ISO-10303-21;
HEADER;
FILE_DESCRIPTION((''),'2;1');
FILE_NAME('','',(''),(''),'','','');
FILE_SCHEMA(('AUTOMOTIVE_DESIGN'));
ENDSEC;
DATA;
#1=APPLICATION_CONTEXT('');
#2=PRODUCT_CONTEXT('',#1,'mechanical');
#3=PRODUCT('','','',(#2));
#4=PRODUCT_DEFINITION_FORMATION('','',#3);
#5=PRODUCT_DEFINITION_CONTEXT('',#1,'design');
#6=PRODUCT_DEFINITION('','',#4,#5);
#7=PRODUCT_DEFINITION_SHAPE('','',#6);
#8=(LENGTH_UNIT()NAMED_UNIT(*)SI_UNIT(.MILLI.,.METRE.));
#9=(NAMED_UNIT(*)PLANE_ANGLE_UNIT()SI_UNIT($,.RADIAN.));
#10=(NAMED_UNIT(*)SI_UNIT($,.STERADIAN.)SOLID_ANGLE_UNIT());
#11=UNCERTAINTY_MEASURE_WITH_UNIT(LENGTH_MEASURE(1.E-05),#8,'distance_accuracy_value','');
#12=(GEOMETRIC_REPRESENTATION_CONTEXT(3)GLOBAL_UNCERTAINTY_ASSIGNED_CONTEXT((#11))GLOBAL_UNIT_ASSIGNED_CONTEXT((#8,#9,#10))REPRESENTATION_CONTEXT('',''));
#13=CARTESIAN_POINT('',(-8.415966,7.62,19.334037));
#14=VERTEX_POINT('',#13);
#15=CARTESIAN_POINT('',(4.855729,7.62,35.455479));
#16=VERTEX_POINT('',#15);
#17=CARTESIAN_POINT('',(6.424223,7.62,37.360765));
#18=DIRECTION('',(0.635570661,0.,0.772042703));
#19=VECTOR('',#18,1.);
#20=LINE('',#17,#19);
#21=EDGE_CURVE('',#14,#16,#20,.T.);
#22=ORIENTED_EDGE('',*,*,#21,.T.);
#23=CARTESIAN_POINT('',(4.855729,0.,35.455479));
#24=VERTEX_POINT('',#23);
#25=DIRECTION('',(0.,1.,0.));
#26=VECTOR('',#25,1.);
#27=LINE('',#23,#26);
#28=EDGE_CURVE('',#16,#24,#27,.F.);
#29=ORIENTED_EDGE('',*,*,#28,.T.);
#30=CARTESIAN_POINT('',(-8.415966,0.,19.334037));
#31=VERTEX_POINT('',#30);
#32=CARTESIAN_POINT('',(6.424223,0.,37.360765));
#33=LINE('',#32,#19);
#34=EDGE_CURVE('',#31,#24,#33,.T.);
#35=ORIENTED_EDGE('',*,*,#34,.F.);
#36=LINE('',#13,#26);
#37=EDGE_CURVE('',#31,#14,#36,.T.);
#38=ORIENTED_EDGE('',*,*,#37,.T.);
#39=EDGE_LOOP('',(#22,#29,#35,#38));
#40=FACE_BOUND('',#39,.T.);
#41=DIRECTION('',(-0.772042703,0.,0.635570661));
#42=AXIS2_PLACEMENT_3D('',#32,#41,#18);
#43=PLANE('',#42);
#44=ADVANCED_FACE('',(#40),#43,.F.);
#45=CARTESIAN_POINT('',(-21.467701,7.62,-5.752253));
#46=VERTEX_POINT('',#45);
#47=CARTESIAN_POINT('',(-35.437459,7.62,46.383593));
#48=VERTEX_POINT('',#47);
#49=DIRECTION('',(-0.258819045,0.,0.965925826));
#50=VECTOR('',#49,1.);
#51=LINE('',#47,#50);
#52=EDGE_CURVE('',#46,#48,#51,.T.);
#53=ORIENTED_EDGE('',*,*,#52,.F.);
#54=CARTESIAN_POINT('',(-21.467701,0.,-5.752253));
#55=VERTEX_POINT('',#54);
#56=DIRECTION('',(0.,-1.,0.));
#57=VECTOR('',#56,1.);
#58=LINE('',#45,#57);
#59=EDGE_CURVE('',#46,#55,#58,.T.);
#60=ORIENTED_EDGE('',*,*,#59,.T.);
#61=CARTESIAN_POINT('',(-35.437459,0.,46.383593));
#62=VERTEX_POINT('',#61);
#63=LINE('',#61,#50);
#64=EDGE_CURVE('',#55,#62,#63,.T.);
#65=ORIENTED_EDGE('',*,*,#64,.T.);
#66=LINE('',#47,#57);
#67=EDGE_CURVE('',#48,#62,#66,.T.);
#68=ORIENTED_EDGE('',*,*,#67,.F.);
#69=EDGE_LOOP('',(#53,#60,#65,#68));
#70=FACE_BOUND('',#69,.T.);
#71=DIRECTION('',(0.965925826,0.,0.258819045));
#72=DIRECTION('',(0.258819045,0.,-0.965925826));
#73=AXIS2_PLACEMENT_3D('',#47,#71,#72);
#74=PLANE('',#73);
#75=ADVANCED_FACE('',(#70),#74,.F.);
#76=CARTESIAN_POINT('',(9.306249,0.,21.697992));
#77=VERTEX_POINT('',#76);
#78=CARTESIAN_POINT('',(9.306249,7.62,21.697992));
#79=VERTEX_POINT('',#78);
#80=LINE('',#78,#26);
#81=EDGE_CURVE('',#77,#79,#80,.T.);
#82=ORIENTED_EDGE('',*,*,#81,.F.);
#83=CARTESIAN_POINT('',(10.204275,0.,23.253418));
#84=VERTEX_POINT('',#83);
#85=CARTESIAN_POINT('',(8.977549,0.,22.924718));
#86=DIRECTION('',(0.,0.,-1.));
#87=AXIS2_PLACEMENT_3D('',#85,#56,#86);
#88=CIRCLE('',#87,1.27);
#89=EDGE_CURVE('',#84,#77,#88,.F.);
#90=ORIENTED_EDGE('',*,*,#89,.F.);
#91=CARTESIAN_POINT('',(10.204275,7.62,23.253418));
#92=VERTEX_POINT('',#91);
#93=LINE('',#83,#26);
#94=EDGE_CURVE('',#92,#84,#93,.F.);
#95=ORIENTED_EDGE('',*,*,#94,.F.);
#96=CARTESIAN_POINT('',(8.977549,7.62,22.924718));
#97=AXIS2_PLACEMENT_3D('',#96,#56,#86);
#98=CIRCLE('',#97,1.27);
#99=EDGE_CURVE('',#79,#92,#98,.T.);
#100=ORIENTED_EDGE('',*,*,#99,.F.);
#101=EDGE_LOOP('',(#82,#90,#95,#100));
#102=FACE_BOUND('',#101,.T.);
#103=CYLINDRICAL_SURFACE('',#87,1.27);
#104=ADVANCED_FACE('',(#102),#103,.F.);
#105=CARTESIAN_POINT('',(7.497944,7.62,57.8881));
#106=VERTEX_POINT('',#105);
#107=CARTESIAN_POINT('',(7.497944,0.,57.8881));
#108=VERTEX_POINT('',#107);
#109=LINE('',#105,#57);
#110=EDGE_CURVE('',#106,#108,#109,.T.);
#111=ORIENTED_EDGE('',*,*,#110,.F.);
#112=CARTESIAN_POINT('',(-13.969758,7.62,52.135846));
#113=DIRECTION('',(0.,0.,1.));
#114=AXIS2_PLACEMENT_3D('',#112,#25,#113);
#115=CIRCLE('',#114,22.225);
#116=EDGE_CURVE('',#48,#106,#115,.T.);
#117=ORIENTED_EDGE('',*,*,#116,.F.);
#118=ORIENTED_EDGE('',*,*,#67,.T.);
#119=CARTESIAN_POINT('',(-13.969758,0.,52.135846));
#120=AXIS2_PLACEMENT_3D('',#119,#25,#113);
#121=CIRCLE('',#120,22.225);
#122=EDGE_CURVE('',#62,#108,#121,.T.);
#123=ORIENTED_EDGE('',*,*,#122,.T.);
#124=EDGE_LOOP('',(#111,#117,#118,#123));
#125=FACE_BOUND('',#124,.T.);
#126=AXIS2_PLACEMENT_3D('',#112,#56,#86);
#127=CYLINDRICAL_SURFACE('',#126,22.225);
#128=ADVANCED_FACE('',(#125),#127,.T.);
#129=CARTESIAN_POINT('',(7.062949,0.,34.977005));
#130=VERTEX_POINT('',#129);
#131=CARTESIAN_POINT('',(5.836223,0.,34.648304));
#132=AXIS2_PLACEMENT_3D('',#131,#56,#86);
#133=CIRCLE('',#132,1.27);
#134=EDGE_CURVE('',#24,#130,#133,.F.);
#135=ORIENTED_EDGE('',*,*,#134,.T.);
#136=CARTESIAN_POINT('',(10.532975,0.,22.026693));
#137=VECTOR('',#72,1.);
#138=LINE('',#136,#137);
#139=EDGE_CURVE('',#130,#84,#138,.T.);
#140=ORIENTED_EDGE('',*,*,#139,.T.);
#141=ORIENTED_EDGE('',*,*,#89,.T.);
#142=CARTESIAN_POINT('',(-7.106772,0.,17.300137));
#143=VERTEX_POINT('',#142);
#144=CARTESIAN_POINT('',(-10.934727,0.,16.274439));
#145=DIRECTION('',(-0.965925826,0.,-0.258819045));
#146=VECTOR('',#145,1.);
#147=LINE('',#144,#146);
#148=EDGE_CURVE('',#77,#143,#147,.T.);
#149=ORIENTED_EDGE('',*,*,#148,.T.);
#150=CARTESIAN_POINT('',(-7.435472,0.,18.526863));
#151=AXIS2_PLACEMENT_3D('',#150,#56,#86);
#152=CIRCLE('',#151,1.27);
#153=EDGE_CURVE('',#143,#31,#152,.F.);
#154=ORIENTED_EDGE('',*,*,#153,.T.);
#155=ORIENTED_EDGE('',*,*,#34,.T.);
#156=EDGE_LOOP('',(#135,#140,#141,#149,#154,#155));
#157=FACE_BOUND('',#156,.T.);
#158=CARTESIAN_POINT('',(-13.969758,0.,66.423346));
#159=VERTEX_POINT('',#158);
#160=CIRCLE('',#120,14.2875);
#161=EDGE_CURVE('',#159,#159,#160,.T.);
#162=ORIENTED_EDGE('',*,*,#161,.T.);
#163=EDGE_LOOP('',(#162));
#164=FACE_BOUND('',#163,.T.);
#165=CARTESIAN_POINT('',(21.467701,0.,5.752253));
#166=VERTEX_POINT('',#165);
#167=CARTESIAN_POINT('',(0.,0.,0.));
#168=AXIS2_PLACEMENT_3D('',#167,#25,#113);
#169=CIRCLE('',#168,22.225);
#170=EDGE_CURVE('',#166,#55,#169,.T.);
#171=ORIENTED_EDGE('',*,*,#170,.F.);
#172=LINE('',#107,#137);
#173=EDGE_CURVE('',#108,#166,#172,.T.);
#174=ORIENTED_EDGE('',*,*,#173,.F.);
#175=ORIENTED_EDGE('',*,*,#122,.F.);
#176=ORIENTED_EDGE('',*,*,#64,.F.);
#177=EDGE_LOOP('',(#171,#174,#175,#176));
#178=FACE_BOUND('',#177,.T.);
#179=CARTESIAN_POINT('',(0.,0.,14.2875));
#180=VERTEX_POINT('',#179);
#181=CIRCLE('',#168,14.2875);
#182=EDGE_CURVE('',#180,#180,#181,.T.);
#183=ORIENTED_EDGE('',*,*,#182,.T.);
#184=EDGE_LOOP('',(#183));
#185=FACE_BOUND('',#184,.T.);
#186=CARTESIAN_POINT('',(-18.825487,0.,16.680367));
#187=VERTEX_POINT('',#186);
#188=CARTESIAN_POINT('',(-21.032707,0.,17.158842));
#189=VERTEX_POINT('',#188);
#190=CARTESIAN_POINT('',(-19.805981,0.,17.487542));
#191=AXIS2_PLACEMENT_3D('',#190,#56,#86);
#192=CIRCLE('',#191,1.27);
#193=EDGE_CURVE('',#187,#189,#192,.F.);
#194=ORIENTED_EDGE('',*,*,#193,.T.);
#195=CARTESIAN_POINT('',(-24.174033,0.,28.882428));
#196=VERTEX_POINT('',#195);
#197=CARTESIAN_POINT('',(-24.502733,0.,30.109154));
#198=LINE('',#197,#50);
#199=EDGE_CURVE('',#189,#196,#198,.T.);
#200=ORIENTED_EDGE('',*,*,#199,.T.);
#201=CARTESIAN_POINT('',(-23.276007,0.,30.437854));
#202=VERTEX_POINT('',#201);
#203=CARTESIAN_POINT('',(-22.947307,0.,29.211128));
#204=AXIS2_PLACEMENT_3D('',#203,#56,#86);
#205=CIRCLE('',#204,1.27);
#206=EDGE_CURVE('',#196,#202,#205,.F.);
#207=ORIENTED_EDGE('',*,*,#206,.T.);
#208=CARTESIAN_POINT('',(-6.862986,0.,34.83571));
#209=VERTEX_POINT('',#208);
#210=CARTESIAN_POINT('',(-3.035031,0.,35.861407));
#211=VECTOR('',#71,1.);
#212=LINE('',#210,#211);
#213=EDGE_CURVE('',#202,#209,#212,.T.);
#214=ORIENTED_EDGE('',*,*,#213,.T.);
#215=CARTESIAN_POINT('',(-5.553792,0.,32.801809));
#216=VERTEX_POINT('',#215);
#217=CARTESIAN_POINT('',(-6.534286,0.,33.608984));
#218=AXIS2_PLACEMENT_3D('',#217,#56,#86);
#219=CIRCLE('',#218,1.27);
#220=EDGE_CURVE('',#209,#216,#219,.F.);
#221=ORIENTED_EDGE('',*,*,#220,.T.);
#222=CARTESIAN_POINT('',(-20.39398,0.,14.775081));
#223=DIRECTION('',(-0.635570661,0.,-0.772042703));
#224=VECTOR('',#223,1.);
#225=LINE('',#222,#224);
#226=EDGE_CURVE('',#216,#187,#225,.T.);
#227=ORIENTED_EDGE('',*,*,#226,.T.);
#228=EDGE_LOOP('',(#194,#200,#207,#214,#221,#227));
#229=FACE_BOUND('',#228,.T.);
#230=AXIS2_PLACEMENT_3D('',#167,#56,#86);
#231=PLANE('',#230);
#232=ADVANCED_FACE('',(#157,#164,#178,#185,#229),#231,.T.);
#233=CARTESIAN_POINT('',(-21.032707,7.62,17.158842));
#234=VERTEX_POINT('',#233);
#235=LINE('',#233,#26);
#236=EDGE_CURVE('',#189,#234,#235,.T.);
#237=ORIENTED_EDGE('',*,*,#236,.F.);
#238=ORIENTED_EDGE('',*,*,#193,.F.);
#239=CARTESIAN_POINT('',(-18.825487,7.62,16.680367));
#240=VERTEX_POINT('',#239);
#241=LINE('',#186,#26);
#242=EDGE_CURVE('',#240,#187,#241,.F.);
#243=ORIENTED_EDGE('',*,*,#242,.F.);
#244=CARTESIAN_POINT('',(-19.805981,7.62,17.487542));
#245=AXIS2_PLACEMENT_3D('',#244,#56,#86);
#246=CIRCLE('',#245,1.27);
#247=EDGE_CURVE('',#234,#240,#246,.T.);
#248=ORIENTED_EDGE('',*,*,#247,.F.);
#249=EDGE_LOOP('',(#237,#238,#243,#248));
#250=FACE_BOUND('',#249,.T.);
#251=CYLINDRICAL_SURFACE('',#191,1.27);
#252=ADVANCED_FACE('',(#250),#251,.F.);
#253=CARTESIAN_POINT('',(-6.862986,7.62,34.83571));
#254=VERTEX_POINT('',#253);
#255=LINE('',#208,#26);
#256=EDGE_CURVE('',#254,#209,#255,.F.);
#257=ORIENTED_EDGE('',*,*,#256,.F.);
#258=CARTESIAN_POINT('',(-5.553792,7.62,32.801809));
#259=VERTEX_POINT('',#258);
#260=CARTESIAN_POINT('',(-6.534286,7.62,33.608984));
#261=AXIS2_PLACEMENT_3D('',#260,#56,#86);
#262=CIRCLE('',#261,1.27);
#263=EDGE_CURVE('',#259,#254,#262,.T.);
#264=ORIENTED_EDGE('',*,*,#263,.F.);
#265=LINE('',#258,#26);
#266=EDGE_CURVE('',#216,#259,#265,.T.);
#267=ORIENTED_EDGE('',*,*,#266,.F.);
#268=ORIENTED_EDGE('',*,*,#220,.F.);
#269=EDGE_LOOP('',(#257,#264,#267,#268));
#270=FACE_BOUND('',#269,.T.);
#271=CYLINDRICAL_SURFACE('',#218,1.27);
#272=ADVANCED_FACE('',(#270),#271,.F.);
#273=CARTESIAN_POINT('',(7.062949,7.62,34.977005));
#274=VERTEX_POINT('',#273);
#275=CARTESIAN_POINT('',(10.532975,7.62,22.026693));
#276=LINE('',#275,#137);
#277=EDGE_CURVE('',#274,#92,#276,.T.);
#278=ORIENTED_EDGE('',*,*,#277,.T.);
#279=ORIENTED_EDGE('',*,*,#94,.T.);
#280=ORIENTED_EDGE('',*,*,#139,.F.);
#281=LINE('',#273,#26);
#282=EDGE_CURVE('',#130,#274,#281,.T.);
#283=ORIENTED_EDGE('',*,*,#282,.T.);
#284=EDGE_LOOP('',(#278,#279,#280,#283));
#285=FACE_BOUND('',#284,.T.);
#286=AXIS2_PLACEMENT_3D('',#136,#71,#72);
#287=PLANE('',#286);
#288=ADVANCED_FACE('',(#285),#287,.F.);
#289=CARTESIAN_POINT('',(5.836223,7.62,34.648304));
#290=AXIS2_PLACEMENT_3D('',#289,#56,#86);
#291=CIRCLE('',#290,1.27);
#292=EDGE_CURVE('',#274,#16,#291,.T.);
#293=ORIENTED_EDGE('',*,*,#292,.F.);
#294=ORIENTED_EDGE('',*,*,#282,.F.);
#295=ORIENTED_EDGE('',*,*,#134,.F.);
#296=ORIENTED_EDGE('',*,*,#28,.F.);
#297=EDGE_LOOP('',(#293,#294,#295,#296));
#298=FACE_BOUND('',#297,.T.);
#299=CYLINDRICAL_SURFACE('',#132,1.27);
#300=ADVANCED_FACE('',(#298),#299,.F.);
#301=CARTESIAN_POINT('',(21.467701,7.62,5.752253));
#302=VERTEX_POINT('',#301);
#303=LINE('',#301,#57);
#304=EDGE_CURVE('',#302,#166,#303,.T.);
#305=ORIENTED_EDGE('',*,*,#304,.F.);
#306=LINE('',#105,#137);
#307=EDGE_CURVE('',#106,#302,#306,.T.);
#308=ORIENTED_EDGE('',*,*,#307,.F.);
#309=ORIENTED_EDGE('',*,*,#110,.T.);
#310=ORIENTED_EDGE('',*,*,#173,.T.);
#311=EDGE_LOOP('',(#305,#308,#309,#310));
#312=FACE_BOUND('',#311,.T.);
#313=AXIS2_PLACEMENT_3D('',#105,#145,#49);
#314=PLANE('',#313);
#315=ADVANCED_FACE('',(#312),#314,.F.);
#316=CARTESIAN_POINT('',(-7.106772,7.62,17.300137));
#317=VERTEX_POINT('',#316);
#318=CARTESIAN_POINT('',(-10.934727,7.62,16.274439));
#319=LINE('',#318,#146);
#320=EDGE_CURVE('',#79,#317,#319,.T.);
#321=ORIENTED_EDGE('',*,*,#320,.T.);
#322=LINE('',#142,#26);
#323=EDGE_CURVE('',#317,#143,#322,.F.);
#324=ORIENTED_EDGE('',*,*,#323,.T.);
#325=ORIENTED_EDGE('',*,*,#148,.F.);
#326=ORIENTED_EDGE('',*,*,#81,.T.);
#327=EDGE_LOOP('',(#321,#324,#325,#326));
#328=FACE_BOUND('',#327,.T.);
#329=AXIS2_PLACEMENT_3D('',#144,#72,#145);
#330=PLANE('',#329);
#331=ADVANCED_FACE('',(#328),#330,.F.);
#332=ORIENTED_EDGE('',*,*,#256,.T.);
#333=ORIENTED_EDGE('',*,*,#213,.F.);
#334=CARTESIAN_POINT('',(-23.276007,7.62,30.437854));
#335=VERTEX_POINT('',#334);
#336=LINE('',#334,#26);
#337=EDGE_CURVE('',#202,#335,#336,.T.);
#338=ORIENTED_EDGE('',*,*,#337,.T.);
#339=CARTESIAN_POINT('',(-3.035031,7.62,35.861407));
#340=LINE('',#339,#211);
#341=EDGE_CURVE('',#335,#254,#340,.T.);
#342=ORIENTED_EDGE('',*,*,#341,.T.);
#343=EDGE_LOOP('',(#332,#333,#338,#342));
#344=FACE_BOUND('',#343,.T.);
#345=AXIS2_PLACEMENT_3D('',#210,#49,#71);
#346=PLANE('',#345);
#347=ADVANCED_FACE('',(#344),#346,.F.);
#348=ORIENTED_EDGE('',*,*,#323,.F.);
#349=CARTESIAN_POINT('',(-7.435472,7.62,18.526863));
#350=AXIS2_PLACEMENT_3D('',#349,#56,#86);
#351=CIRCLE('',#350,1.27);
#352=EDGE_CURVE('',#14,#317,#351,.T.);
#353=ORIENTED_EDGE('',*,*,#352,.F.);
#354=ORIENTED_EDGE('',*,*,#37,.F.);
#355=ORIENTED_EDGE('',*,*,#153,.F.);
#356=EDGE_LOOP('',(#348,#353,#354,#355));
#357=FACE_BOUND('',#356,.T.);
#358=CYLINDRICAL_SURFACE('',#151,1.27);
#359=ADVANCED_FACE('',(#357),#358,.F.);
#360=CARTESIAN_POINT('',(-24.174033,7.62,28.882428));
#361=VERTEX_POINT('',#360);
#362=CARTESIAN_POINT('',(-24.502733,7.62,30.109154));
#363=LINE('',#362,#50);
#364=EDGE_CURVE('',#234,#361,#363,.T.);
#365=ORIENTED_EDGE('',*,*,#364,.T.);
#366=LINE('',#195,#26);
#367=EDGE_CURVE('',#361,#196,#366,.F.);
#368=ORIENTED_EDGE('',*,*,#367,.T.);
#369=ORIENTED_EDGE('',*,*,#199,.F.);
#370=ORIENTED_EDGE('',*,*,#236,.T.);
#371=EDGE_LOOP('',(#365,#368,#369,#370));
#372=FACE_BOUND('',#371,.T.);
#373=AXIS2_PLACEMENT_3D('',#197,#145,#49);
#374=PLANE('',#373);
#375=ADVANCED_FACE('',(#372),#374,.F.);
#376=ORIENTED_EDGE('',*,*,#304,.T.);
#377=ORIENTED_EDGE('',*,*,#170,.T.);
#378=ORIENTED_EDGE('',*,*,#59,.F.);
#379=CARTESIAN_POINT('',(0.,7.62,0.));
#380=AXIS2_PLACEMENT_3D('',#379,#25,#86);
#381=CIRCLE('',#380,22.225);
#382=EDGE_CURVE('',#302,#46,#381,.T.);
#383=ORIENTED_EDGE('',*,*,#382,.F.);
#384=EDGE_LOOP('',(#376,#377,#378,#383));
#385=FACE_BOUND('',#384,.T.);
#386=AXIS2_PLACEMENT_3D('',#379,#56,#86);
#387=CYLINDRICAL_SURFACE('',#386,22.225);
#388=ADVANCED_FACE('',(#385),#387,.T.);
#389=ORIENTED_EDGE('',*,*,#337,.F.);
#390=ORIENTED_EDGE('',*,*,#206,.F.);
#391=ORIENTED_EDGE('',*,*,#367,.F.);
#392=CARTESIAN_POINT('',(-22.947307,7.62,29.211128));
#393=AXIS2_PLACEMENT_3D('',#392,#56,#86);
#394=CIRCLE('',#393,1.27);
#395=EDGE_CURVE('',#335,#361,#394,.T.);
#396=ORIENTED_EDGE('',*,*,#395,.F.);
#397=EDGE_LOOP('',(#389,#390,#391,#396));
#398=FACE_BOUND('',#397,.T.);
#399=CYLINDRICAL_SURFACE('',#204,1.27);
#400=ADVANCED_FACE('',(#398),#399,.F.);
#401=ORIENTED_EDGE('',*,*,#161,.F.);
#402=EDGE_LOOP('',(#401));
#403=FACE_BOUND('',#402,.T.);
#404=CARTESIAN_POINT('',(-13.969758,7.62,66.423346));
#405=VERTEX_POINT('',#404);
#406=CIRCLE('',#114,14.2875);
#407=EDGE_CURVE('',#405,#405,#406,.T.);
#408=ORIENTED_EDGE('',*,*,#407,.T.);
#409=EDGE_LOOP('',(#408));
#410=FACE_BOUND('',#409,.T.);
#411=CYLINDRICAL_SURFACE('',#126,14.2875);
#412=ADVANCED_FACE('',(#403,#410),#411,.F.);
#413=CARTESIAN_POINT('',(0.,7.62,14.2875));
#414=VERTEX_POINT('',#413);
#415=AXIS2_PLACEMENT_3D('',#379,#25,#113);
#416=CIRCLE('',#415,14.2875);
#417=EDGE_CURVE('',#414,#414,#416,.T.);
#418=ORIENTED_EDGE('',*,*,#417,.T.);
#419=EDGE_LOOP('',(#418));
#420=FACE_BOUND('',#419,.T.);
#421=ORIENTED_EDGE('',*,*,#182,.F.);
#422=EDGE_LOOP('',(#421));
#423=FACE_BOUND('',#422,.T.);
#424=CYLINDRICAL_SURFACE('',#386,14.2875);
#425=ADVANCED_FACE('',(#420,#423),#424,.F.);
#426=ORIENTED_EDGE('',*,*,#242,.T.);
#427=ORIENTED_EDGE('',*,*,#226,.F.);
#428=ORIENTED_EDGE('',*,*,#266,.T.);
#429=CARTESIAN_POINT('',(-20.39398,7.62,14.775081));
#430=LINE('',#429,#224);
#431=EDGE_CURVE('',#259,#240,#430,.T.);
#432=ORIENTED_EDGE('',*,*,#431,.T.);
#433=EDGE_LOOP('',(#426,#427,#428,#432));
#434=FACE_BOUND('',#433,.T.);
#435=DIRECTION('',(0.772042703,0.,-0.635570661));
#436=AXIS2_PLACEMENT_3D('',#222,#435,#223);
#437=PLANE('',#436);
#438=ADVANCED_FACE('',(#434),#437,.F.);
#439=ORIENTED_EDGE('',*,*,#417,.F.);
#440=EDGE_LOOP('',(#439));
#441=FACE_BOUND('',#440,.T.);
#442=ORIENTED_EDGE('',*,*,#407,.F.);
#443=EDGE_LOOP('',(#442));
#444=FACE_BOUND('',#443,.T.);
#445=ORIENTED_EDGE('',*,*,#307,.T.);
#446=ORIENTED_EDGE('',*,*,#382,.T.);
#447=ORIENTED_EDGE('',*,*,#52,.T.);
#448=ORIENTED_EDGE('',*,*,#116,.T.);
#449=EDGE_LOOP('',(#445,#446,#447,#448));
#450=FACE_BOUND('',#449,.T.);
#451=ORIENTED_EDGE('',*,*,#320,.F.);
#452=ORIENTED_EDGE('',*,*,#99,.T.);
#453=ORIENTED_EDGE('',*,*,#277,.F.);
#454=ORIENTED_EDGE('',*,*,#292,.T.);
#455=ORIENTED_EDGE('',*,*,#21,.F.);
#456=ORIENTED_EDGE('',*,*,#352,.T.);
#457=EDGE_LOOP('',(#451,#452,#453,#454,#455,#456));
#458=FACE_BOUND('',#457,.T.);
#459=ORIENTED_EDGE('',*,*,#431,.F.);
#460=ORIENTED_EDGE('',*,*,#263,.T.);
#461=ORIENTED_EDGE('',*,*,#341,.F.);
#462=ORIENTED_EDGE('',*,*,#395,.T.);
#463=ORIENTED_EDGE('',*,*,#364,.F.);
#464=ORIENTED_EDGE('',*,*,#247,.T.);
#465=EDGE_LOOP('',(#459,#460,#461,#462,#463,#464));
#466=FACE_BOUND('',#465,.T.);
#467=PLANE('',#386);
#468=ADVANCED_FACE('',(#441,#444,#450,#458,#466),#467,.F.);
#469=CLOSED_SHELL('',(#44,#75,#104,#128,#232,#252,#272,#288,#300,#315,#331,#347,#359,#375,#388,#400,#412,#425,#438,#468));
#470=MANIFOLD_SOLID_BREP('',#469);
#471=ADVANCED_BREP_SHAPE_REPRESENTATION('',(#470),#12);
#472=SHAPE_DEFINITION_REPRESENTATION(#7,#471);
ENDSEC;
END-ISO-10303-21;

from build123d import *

# Parameters (mm, degrees)
SKETCH1_R           = 14.2875
BOSS_EXTRUDE1_DEPTH = 7.62
CUT_EXTRUDE1_DEPTH  = 8.62
FILLET1_R           = 1.27


with BuildPart() as part:
    # Sketch1 → Boss-Extrude1 (new body)
    with BuildSketch(Plane(origin=(0, 0, 0), x_dir=(1, 0, 0), z_dir=(0, 1, 0))):
        with BuildLine():
            Line((7.49794353, -57.888099751), (21.467701489, -5.752253277))
            ThreePointArc((21.467701489, -5.752253277), (17.632277988, 13.52972276), (0, 22.225))
            ThreePointArc((0, 22.225), (-13.52972276, 17.632277988), (-21.467701489, 5.752253277))
            Line((-21.467701489, 5.752253277), (-35.437459449, -46.383593197))
            ThreePointArc((-35.437459449, -46.383593197), (-19.722011237, -73.603547963), (7.49794353, -57.888099751))
        make_face()
        with Locations((-13.969757959, -52.135846474)):
            Circle(SKETCH1_R, mode=Mode.SUBTRACT)
        Circle(SKETCH1_R, mode=Mode.SUBTRACT)
    extrude(amount=BOSS_EXTRUDE1_DEPTH)

    # Sketch2 → Cut-Extrude1 (cut, through all)
    with BuildSketch(Plane(origin=(0, 7.62, 0), x_dir=(1, 0, 0), z_dir=(0, 1, 0))):
        Polygon((-20.393980488, -14.77508138), (-3.03503134, -35.86140715), (-24.502732829, -30.109153872), align=None)
        Polygon((-10.93472662, -16.274439324), (10.532974869, -22.026692602), (6.424222528, -37.360765094), align=None)
    extrude(amount=-CUT_EXTRUDE1_DEPTH, mode=Mode.SUBTRACT)

    # Fillet1
    fillet1_edges = [part.edges().sort_by_distance(p)[0] for p in [
        (-24.502732829, 3.81, 30.109153872),
        (-20.393980488, 3.81, 14.77508138),
        (-3.03503134, 3.81, 35.86140715),
        (6.424222528, 3.81, 37.360765094),
        (-10.93472662, 3.81, 16.274439324),
        (10.532974869, 3.81, 22.026692602),
    ]]
    fillet(fillet1_edges, radius=FILLET1_R)


solid = part.part
